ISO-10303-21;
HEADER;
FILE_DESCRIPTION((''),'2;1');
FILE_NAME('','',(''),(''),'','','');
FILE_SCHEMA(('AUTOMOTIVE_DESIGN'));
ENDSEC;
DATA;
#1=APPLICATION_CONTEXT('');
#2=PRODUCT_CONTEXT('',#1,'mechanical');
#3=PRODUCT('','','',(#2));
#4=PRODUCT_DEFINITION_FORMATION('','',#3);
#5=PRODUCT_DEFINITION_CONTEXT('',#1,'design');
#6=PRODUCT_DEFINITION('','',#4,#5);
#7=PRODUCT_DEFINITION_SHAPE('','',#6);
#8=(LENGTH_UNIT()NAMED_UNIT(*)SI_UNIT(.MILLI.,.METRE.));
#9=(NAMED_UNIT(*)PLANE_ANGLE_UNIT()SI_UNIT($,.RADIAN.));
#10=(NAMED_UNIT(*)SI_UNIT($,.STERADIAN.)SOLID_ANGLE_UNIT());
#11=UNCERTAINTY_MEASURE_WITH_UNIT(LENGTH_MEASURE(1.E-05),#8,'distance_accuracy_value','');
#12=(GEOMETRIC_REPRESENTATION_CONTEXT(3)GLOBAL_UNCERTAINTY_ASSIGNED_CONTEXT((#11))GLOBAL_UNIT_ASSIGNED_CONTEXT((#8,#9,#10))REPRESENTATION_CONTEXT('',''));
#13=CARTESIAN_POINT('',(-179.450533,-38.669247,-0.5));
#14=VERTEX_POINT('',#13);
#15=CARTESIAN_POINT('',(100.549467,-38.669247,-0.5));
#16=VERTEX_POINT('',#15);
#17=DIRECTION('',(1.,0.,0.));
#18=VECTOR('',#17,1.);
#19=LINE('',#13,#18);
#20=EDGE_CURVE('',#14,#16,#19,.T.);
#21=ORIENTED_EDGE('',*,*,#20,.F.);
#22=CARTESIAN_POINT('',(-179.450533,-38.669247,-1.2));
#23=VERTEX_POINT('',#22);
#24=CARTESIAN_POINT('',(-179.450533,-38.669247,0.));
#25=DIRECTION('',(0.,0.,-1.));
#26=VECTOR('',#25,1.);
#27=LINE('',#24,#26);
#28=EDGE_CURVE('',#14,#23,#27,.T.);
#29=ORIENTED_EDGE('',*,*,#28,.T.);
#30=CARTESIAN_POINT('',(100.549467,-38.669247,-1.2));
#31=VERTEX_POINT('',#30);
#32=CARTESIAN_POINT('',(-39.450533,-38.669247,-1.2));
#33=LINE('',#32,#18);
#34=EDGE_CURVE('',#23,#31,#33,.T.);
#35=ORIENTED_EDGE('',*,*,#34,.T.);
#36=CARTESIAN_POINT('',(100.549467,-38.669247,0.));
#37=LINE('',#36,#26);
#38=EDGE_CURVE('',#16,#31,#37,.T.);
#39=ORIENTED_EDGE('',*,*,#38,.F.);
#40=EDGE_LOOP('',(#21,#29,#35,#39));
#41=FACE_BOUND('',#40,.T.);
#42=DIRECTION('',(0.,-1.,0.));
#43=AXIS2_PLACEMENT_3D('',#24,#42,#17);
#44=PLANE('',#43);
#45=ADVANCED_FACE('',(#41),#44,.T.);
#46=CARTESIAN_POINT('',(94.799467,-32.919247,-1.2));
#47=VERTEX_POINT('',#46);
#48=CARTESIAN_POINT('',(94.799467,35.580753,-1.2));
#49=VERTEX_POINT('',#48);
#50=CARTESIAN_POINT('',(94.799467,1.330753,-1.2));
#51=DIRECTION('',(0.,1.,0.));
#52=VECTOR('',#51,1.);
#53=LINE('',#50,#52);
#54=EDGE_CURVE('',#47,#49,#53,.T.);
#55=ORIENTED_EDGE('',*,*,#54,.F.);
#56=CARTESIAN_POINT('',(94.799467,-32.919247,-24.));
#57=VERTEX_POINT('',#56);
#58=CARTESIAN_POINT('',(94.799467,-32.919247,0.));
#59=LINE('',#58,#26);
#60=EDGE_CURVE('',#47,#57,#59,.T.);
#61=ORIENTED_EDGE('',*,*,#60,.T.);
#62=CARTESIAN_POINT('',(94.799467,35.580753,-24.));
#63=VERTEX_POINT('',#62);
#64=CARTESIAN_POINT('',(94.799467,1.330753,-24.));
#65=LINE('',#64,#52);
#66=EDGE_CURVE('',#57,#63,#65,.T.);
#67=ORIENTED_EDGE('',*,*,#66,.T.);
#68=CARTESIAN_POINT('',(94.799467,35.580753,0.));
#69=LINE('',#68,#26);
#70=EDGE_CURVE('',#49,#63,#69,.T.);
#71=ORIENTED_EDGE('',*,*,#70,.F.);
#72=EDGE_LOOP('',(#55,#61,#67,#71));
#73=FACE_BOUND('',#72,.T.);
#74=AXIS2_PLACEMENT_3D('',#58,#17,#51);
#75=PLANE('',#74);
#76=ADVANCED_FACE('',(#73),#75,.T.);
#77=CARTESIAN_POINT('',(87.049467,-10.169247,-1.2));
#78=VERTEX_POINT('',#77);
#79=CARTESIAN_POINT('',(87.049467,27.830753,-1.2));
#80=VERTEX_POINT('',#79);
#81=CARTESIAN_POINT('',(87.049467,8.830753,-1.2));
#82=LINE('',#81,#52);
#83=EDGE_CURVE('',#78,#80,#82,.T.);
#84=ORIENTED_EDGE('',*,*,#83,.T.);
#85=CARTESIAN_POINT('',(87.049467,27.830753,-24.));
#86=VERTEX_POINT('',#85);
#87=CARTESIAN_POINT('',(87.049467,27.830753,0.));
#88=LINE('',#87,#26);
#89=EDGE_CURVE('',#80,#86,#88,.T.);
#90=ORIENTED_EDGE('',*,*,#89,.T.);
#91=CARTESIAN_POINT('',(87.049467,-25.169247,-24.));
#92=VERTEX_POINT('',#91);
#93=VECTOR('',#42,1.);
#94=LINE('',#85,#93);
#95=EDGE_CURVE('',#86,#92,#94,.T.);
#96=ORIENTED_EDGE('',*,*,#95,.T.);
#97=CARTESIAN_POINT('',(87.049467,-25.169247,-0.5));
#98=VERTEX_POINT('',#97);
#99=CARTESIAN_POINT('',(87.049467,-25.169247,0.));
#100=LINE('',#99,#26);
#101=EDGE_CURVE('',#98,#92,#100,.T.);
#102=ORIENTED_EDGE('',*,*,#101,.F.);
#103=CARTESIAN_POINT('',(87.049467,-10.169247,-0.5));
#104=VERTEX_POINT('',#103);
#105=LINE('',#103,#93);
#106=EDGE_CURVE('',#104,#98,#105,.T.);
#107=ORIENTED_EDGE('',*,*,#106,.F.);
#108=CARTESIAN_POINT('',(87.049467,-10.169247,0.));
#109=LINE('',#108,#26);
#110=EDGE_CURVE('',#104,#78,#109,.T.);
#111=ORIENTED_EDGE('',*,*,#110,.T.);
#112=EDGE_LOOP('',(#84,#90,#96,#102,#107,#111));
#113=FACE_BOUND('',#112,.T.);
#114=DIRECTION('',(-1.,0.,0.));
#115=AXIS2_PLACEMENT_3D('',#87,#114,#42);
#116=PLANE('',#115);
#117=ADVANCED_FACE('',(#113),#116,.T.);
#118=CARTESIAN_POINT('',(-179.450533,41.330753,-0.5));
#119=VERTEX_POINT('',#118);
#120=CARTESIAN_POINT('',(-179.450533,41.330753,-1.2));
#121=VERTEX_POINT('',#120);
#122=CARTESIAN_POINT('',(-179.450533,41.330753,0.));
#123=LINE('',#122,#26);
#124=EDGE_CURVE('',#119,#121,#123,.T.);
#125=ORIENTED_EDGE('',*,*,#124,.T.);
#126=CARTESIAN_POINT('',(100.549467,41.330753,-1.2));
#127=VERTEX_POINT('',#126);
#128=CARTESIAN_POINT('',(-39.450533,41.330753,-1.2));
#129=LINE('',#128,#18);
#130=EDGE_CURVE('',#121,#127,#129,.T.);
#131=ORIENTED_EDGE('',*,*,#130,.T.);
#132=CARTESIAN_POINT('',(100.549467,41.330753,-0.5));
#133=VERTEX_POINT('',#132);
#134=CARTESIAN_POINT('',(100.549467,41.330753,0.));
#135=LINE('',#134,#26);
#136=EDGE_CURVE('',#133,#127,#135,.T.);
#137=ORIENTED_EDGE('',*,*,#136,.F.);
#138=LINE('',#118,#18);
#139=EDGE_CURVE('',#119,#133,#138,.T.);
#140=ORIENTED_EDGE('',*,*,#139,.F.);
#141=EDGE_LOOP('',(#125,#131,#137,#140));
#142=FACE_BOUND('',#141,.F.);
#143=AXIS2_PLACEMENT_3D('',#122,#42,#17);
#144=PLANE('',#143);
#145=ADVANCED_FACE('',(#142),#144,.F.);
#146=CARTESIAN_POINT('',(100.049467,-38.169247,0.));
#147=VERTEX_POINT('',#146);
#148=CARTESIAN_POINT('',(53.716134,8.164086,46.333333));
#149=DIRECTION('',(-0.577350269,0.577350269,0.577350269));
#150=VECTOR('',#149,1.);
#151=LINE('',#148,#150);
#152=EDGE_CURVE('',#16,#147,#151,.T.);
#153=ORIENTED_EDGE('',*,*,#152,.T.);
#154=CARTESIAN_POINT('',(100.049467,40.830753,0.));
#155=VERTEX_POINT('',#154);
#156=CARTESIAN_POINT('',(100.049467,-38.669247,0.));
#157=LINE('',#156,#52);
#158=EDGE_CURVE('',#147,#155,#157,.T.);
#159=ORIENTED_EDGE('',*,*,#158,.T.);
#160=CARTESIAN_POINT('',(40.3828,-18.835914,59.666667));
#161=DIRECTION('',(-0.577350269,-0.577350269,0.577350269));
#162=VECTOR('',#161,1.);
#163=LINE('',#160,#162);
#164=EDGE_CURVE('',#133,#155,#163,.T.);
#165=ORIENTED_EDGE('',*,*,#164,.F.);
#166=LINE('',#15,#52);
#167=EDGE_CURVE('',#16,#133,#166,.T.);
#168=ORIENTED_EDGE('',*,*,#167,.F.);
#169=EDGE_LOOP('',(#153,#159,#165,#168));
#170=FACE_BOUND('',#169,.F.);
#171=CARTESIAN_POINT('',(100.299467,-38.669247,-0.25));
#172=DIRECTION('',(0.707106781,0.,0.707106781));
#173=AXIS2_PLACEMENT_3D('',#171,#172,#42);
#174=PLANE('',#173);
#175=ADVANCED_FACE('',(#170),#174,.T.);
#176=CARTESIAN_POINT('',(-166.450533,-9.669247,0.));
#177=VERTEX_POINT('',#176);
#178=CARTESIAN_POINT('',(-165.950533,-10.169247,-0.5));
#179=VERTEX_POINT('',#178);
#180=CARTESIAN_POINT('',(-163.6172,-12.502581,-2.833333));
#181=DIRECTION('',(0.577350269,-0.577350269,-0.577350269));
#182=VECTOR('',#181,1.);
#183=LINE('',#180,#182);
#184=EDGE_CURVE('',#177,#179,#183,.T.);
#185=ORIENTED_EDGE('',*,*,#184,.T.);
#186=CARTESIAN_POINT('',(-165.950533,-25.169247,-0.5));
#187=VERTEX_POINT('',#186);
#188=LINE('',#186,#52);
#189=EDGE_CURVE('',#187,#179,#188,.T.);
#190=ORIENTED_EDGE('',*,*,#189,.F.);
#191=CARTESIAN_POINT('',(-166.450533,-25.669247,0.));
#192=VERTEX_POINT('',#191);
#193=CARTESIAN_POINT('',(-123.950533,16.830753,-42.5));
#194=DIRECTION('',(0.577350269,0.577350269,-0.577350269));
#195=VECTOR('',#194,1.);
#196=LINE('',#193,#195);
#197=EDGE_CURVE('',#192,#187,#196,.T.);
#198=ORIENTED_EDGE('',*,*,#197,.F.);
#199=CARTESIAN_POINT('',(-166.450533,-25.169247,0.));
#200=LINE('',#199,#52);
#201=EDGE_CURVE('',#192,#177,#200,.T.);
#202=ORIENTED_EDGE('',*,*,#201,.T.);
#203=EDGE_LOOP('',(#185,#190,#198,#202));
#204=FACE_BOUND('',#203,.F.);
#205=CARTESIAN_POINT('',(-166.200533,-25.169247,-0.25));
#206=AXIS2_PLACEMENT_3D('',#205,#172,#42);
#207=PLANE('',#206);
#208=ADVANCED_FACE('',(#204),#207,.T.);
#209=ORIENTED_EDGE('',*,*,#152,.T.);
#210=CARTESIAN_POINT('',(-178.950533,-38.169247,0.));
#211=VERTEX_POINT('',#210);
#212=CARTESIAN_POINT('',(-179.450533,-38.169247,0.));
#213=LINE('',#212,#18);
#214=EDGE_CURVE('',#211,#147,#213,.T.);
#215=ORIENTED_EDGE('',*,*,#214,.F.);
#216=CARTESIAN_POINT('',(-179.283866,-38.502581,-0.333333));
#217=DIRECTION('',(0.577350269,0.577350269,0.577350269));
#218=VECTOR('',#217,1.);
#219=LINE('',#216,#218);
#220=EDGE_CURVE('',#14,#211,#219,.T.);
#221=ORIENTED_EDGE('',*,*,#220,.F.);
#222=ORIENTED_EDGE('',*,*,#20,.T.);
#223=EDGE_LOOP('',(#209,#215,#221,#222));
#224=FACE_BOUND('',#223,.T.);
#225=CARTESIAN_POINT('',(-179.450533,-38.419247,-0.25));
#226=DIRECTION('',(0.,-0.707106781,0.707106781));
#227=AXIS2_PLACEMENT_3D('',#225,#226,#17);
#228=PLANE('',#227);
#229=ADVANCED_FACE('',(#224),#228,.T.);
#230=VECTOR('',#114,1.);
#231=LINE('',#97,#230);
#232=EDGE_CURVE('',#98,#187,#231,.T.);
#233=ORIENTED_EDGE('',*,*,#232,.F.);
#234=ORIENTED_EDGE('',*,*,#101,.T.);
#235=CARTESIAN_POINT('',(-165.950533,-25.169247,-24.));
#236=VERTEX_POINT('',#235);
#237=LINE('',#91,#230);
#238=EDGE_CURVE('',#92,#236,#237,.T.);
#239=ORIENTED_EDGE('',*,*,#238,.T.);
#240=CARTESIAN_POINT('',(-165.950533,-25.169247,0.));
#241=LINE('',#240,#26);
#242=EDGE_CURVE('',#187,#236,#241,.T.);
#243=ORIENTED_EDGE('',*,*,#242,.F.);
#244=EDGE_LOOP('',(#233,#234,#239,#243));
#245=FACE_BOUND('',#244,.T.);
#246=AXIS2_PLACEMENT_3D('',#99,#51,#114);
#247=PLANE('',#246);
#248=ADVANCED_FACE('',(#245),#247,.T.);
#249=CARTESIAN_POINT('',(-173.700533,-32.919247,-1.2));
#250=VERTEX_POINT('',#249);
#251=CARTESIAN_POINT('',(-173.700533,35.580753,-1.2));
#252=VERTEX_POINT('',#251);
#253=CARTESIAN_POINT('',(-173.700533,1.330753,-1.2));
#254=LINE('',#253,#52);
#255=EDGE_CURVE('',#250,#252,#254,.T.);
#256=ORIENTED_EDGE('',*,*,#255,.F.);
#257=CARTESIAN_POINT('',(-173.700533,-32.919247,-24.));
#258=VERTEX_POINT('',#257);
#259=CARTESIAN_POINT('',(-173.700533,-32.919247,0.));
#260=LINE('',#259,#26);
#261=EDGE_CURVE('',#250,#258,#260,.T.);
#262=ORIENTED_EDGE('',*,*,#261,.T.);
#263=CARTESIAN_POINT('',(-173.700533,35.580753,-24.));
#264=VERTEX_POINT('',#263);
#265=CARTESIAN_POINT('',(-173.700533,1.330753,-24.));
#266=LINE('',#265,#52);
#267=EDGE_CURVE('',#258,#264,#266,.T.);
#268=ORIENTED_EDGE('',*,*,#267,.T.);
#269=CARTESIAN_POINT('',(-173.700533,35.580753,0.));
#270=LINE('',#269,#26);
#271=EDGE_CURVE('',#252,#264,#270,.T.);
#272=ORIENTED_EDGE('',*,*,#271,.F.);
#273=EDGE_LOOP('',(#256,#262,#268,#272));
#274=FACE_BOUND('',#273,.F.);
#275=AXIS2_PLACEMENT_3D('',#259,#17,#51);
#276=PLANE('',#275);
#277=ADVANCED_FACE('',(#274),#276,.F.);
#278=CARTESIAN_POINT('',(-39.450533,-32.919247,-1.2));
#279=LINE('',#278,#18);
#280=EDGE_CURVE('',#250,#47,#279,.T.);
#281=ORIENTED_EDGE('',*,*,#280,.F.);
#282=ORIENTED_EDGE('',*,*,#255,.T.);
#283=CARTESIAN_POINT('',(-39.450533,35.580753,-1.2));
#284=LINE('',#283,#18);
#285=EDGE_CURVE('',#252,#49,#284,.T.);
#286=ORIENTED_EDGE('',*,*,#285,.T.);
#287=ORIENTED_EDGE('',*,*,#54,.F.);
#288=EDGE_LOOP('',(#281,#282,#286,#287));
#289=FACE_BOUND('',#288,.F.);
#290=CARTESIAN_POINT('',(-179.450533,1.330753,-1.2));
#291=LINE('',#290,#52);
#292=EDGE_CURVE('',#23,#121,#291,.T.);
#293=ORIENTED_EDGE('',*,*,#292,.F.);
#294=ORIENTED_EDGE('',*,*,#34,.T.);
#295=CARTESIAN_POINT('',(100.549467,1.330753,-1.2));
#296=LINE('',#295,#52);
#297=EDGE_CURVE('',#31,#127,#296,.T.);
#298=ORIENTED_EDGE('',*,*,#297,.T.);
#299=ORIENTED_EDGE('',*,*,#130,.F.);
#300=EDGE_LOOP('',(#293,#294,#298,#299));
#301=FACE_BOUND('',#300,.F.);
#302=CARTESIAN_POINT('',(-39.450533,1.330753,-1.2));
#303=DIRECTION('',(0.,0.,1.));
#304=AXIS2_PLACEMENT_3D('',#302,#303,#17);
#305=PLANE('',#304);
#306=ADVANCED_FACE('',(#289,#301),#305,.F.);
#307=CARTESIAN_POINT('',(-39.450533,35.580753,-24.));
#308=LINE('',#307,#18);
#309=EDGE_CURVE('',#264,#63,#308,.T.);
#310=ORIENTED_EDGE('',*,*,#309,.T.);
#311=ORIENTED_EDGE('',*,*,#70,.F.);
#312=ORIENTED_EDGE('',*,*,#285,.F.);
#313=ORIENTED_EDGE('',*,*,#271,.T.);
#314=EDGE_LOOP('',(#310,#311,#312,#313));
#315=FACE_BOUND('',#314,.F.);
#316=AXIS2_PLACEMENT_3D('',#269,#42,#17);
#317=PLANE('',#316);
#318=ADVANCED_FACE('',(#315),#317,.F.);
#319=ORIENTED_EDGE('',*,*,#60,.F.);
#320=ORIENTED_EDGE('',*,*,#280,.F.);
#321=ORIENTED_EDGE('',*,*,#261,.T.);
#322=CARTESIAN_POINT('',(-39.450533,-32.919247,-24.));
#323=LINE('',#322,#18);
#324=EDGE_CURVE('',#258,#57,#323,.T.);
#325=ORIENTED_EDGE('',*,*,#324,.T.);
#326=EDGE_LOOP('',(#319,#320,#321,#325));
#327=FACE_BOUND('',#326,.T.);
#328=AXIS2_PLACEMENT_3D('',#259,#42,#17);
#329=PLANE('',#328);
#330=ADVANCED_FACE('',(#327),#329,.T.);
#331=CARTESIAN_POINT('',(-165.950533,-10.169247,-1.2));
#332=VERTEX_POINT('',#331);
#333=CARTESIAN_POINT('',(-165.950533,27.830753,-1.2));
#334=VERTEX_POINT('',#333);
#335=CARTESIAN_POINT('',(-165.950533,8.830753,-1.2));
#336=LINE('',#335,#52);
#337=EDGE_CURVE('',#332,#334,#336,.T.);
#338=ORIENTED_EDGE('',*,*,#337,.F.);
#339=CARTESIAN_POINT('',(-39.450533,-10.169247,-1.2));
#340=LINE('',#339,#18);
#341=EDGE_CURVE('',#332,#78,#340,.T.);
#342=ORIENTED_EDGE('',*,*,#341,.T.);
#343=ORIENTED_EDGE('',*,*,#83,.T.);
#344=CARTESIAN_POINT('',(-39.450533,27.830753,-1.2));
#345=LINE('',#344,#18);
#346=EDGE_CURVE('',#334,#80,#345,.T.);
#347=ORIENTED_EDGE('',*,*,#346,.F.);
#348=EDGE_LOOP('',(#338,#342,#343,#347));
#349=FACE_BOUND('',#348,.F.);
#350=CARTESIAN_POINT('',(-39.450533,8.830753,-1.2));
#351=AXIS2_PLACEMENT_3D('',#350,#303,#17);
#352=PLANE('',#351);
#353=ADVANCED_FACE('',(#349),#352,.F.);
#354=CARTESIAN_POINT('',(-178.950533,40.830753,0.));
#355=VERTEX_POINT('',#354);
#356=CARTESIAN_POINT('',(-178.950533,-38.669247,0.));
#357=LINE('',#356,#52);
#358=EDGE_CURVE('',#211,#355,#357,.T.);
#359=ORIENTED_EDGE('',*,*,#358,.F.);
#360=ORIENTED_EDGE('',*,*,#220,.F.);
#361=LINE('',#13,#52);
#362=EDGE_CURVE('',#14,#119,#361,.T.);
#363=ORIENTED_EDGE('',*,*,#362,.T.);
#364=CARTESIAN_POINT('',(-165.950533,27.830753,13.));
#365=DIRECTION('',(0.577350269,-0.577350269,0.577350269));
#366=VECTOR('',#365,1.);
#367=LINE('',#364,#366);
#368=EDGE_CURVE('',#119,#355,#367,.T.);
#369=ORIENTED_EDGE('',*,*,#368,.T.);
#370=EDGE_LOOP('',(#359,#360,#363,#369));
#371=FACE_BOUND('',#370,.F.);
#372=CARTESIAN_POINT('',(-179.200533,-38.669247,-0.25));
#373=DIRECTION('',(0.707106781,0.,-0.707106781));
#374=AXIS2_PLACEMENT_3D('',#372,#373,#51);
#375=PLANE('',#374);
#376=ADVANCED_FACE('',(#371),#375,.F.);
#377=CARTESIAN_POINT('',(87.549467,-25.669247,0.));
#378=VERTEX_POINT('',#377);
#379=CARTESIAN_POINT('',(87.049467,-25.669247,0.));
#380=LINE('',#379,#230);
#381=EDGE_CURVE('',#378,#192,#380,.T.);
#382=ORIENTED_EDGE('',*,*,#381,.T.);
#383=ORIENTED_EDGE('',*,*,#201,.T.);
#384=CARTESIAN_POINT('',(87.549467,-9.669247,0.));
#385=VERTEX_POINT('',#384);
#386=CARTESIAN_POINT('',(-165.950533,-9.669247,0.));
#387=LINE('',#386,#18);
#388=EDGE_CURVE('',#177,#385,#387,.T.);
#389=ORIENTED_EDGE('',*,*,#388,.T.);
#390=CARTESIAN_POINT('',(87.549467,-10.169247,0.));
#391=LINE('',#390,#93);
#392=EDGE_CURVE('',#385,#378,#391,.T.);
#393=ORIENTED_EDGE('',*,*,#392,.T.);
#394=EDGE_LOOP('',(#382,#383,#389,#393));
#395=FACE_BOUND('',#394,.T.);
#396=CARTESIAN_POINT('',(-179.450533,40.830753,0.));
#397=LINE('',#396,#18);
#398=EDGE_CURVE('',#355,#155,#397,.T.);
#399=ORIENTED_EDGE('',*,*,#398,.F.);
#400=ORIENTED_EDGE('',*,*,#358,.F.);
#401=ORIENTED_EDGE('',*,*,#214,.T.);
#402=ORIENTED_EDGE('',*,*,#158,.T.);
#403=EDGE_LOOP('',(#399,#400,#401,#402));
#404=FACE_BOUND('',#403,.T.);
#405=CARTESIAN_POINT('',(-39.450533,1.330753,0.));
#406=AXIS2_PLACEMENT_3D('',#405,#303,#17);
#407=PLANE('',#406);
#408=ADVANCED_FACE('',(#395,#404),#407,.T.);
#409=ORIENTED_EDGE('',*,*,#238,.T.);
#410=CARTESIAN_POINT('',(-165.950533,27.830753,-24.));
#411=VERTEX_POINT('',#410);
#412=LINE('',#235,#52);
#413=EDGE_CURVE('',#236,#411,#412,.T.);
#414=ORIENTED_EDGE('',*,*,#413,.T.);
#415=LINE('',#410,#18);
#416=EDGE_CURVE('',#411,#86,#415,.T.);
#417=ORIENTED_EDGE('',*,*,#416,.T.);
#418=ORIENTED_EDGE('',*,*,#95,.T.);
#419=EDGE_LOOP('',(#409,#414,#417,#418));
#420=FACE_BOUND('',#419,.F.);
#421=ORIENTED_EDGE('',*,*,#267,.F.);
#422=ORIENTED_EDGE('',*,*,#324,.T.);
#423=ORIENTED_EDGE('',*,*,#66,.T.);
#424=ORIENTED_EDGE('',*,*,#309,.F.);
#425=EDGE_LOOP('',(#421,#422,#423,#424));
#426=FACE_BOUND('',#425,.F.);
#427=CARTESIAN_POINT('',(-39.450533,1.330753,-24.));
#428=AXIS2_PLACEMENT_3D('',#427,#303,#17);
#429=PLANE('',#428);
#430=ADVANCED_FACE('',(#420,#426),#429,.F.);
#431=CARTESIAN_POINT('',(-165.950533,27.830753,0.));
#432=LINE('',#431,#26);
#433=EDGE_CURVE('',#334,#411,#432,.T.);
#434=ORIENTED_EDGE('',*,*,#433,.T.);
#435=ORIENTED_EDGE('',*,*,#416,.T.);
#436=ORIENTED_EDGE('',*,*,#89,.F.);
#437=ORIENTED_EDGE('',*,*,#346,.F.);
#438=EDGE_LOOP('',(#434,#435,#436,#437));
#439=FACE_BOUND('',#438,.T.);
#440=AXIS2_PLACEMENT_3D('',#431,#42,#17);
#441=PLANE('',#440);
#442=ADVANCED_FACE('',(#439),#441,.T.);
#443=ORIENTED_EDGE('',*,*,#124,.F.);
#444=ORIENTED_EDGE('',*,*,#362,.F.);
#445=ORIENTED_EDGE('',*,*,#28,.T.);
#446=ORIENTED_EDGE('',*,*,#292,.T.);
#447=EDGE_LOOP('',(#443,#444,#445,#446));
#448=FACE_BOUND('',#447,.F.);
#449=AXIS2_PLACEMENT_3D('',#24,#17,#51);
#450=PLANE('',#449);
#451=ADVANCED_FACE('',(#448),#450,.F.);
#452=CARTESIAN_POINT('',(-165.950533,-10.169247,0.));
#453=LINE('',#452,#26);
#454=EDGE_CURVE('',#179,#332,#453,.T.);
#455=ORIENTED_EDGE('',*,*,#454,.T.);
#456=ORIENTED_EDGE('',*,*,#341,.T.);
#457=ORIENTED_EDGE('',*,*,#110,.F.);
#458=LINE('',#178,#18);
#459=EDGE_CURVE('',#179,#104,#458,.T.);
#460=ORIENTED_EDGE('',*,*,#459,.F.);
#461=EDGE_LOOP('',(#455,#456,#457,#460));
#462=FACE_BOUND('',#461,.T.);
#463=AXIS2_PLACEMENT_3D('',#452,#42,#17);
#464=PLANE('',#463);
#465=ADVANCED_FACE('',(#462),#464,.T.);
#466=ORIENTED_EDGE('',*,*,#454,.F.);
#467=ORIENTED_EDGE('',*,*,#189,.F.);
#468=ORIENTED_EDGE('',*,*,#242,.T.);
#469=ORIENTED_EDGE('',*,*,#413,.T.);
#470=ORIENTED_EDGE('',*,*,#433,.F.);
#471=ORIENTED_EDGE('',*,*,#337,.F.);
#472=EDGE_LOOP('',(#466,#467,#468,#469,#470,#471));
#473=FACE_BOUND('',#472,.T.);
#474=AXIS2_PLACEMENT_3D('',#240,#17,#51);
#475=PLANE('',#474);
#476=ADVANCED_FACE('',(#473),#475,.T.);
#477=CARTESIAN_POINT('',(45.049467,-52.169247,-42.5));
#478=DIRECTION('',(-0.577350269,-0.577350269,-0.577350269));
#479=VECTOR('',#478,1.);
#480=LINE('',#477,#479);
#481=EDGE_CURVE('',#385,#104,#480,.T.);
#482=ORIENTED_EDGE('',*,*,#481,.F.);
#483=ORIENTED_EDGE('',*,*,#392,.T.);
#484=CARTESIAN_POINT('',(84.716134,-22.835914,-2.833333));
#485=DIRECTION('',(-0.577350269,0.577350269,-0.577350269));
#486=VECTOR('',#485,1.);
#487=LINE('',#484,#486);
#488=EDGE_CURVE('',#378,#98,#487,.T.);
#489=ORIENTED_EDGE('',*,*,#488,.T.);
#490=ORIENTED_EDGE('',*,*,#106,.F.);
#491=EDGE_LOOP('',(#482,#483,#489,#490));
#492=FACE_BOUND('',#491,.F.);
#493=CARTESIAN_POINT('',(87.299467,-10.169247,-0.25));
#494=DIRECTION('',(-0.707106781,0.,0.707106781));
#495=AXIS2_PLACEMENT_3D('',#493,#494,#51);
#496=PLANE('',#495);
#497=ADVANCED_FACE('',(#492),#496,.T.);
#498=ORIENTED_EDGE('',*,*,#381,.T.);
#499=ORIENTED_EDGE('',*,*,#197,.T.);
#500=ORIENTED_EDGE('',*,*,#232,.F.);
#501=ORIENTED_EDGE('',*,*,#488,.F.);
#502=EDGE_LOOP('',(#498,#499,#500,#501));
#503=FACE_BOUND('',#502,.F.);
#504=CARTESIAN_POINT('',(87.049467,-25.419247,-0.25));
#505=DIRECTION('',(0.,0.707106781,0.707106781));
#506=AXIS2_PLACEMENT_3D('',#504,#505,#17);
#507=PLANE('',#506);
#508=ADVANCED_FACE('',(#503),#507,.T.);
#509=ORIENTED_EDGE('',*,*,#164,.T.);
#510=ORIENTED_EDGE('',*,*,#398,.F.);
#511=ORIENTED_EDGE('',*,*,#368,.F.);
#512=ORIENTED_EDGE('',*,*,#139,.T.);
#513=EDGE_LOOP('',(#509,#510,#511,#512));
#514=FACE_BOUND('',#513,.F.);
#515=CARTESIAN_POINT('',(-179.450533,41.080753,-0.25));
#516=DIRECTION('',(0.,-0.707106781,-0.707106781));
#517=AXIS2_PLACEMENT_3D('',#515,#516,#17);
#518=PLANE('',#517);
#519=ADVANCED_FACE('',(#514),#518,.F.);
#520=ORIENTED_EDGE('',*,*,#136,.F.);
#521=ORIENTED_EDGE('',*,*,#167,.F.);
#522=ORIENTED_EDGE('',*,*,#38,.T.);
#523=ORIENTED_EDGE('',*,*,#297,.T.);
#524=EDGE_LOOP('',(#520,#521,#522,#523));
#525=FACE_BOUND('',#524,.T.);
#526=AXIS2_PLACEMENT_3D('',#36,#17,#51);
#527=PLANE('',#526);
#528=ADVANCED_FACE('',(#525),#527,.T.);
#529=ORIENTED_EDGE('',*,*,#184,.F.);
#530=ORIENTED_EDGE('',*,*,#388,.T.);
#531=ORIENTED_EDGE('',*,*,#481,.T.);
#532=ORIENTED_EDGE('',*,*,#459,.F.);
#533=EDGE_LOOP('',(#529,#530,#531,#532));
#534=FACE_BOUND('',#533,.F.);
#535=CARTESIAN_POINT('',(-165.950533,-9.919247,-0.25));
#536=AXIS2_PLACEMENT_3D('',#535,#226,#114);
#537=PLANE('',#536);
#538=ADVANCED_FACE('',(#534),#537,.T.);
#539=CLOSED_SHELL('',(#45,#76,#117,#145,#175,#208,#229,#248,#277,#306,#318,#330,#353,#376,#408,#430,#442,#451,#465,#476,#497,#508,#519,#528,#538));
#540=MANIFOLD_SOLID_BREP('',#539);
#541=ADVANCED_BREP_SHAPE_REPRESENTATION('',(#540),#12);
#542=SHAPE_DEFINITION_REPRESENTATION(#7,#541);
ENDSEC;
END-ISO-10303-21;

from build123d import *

# Parameters (mm, degrees)
F0_W     = 253
F0_H     = 38
F1_DEPTH = 1.2
F0_W_2   = 280
F0_H_2   = 80
F0_W_3   = 268.5
F0_H_3   = 68.5
F2_DEPTH = 24
F4_SIZE  = 0.5


with BuildPart() as f1:
    # F0 (on Top) → F1 (new body)
    with BuildSketch(Plane.XY):
        with Locations((-39.450533092, 8.8307528198)):
            Rectangle(F0_W, F0_H)
    extrude(amount=-F1_DEPTH)


with BuildPart() as f1b:
    # F0 (on Top) → F1, piece 2 (new body)
    with BuildSketch(Plane.XY):
        with Locations((-39.450533092, 1.3307528198)):
            Rectangle(F0_W_2, F0_H_2)
        with Locations((-39.450533092, 1.3307528198)):
            Rectangle(F0_W_3, F0_H_3, mode=Mode.SUBTRACT)
    extrude(amount=-F1_DEPTH)


with BuildPart() as f2:
    # F0 (on Top) → F2 (new body)
    with BuildSketch(Plane.XY):
        with Locations((-39.450533092, 1.3307528198)):
            Rectangle(F0_W_3, F0_H_3)
        Polygon((-165.950533092, -10.1692471802), (-165.950533092, 27.8307528198), (87.049466908, 27.8307528198), (87.049466908, -10.1692471802), (87.049466908, -25.1692471802), (-165.950533092, -25.1692471802), align=None, mode=Mode.SUBTRACT)
    extrude(amount=-F2_DEPTH)

    # F3: union F1, F1b
    add(f1.part)
    add(f1b.part)

    # F4
    f4_edges = [f2.edges().sort_by_distance(p)[0] for p in [
        (-39.450533, -38.669247, 0),
        (-179.450533, 1.330753, 0),
        (-39.450533, 41.330753, 0),
        (100.549467, 1.330753, 0),
        (-39.450533, -10.169247, 0),
        (87.049467, -17.669247, 0),
        (-39.450533, -25.169247, 0),
        (-165.950533, -17.669247, 0),
    ]]
    chamfer(f4_edges, length=F4_SIZE)


solid = f2.part
